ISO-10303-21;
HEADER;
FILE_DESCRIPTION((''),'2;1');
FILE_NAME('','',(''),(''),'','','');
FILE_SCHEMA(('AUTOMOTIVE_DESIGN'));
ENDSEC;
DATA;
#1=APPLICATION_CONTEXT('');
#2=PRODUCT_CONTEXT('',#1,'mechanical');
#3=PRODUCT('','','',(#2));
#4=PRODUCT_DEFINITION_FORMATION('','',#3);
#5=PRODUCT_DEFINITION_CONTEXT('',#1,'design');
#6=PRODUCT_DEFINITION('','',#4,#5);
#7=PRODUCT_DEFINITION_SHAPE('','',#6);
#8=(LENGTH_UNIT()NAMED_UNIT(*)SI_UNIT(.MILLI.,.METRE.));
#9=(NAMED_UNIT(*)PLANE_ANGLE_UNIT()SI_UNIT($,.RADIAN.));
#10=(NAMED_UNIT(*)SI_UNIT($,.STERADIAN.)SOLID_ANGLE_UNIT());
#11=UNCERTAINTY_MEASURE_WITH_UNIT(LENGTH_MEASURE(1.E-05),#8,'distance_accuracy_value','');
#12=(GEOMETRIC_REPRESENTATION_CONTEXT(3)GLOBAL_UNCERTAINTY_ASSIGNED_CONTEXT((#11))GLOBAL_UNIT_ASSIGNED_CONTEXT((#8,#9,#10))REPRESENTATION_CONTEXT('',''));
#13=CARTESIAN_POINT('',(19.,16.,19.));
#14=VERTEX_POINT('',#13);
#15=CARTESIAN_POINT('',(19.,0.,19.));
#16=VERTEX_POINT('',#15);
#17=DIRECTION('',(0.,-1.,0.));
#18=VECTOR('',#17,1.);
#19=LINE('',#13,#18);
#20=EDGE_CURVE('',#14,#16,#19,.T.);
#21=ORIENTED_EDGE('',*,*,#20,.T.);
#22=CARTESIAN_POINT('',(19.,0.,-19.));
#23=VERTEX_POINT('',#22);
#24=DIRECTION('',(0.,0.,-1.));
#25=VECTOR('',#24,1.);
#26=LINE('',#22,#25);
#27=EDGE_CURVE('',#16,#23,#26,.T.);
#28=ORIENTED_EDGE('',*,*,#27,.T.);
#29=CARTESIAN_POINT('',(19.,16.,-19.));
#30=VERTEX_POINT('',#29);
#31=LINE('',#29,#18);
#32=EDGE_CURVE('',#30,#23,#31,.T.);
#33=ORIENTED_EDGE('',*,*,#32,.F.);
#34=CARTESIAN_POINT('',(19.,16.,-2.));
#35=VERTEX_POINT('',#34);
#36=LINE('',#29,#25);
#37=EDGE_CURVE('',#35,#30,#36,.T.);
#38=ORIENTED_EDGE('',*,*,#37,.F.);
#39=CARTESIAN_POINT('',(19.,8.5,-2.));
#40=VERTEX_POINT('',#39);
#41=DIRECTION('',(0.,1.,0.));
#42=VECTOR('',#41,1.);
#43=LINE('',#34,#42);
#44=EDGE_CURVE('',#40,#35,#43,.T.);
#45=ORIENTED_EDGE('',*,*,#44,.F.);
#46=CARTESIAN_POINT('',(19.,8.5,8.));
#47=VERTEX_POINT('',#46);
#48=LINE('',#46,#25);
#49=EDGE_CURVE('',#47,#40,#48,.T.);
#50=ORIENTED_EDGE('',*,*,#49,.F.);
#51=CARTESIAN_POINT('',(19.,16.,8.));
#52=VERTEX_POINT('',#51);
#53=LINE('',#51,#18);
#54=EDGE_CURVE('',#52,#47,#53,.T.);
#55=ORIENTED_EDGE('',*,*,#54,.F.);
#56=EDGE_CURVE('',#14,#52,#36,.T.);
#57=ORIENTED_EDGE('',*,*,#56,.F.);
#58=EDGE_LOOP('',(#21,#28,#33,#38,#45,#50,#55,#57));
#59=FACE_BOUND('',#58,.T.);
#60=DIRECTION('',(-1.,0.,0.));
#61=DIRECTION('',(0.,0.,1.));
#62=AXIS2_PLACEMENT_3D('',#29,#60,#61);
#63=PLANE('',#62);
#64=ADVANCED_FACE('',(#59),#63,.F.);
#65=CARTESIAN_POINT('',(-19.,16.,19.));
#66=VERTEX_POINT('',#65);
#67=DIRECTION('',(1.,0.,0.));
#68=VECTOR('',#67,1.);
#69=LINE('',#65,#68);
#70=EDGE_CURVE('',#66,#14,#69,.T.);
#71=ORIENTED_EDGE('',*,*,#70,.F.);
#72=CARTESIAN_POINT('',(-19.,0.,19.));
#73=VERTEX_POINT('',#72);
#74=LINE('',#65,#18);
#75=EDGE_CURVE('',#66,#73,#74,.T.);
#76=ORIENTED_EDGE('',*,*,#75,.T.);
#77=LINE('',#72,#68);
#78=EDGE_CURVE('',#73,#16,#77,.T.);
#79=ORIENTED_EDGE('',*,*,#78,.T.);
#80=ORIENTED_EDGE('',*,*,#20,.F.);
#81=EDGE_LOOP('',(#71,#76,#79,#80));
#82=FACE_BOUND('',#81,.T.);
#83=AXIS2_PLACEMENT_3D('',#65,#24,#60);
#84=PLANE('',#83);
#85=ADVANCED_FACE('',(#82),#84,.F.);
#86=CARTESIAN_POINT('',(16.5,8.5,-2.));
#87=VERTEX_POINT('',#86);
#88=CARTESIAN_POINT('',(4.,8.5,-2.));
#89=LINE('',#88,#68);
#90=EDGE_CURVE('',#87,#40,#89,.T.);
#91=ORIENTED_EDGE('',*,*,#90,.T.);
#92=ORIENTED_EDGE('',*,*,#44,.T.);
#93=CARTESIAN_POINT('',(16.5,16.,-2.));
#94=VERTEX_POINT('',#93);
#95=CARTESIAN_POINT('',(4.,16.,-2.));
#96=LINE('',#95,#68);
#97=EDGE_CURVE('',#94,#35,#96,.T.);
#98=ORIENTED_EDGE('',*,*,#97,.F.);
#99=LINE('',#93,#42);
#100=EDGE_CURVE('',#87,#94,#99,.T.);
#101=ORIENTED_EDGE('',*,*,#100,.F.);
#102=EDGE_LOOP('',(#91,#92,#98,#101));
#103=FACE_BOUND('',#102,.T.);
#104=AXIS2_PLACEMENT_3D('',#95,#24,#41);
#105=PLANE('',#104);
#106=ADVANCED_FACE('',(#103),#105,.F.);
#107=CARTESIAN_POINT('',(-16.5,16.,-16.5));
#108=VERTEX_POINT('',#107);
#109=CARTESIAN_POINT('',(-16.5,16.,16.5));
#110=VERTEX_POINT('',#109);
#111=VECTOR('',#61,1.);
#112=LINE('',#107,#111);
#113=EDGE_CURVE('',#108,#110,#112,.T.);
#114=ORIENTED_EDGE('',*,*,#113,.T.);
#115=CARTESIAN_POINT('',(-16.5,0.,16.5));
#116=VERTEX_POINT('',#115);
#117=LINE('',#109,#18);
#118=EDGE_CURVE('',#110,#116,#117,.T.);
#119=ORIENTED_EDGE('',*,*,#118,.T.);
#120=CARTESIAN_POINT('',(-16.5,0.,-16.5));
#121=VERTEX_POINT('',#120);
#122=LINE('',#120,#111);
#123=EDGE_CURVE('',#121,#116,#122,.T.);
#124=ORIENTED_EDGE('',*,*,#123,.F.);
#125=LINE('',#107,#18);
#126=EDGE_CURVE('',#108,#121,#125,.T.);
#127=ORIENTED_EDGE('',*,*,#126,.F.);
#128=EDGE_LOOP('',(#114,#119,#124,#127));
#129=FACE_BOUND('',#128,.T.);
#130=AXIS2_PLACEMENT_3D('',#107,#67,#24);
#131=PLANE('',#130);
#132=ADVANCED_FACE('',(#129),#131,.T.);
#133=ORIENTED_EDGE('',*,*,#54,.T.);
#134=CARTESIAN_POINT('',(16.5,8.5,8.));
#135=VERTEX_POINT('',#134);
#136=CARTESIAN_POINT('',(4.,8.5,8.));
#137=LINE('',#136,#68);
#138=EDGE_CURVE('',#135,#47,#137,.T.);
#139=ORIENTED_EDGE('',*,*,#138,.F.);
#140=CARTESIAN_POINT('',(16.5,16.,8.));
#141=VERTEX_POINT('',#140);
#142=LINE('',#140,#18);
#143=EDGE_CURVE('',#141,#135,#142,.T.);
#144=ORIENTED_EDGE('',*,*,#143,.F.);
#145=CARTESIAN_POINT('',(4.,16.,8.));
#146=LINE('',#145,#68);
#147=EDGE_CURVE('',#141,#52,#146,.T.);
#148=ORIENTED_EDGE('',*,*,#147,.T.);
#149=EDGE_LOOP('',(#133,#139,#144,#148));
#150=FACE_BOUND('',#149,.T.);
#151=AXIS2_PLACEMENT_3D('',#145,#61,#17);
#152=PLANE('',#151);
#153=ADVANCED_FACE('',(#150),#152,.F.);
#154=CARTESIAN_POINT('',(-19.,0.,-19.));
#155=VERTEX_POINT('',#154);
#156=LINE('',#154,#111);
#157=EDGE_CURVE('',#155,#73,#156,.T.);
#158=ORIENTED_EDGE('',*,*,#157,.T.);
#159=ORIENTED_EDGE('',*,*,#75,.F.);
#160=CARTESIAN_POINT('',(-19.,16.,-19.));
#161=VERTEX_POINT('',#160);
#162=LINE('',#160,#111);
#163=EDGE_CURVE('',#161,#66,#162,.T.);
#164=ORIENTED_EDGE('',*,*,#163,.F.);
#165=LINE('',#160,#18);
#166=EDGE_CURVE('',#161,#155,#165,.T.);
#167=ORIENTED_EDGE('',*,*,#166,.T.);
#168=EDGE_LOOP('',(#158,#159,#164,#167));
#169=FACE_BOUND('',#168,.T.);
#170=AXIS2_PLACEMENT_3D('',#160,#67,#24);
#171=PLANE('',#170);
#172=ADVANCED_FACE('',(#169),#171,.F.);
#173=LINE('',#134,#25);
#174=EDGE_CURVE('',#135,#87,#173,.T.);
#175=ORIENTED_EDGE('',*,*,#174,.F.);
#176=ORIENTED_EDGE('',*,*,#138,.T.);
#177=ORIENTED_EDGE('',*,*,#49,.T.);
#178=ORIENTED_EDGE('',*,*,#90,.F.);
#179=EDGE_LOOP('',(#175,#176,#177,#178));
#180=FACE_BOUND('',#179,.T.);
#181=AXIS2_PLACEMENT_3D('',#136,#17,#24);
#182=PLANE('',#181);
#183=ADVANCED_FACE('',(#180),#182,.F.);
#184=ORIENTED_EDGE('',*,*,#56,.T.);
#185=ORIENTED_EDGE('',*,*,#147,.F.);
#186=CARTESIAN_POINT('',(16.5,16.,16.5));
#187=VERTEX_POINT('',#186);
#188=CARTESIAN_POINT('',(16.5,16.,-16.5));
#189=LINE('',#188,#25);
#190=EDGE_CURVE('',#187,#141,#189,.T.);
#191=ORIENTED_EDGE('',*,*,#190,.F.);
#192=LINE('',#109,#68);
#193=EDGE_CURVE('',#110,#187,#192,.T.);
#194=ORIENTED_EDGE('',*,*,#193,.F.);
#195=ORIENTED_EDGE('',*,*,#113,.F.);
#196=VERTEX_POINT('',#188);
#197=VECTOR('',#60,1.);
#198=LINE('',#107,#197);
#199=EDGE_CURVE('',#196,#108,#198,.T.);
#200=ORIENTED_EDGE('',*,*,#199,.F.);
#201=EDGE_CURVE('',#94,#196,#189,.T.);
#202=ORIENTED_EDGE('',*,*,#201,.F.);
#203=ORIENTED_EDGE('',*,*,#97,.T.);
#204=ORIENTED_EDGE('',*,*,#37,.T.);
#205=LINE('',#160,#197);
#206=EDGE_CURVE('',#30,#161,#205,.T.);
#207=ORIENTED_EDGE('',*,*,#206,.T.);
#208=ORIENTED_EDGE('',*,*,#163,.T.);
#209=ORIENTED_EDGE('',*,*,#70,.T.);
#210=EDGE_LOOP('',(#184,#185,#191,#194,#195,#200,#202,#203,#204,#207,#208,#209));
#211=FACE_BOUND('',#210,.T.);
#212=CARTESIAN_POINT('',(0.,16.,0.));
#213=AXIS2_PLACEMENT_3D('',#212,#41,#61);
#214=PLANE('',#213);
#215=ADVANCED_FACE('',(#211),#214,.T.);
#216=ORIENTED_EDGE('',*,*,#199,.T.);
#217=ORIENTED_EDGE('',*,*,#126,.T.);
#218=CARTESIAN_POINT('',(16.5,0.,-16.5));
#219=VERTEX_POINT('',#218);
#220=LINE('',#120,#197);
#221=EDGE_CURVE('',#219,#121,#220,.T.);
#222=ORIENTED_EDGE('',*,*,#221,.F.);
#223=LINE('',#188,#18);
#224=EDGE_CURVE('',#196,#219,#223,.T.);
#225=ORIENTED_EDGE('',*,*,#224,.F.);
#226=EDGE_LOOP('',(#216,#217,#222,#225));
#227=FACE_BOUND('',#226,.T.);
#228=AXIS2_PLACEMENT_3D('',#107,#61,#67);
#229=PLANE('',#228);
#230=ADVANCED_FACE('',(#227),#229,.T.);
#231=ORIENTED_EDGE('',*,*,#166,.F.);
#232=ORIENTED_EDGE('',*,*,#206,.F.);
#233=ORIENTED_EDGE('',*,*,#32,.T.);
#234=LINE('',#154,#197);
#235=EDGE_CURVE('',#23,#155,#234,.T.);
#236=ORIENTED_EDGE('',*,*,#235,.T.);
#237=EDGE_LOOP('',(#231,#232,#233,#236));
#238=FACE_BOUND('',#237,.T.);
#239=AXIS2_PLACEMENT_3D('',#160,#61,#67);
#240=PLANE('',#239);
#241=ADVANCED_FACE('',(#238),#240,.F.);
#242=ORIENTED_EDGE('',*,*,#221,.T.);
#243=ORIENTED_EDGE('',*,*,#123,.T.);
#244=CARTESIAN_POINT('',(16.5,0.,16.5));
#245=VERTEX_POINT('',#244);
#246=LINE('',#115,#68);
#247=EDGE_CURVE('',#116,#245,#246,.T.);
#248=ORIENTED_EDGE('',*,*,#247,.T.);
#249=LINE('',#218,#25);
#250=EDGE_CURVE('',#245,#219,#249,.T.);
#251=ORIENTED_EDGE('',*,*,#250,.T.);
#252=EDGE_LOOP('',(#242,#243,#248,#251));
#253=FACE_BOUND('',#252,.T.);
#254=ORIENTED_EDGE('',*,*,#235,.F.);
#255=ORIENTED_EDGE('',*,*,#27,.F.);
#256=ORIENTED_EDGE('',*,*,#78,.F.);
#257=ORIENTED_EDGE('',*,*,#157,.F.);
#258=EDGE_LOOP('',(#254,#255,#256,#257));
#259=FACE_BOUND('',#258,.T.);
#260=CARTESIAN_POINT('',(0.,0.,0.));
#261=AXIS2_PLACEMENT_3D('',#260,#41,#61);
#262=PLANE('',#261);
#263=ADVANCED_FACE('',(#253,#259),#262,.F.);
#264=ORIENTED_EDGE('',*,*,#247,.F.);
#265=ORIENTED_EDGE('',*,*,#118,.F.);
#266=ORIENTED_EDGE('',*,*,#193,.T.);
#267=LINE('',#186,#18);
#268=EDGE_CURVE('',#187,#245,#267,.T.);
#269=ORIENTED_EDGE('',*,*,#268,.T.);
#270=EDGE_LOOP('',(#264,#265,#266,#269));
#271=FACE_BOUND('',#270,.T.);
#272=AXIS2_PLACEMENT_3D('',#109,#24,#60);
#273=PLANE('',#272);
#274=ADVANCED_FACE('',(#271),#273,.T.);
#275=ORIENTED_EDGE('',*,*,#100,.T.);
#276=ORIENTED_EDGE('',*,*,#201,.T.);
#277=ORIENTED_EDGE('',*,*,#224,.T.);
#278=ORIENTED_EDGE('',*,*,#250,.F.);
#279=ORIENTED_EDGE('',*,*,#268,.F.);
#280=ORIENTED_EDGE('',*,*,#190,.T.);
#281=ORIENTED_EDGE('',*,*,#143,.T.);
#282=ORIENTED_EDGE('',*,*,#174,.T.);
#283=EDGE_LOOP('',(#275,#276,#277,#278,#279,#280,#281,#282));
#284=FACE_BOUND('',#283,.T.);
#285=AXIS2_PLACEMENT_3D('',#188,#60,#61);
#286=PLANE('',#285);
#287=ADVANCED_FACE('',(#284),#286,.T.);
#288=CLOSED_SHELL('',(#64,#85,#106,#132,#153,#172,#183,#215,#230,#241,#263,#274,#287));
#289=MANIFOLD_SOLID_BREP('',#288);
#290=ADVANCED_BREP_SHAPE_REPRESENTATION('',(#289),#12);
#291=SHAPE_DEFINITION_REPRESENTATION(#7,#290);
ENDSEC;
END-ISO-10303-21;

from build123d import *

# Parameters (mm, degrees)
SKETCH1_W           = 38
SKETCH1_H           = 38
SKETCH1_W_2         = 33
SKETCH1_H_2         = 33
BOSS_EXTRUDE1_DEPTH = 16
SKETCH2_W           = 10
SKETCH2_H           = 7.5
CUT_EXTRUDE1_DEPTH  = 2.5


with BuildPart() as part:
    # Sketch1 → Boss-Extrude1 (new body)
    with BuildSketch(Plane(origin=(0, 0, 0), x_dir=(1, 0, 0), z_dir=(0, 1, 0))):
        Rectangle(SKETCH1_W, SKETCH1_H)
        Rectangle(SKETCH1_W_2, SKETCH1_H_2, mode=Mode.SUBTRACT)
    extrude(amount=BOSS_EXTRUDE1_DEPTH)

    # Sketch2 → Cut-Extrude1 (cut)
    with BuildSketch(Plane(origin=(19, 0, 0), x_dir=(0, 0, -1), z_dir=(1, 0, 0))):
        with Locations((-3, 12.25)):
            Rectangle(SKETCH2_W, SKETCH2_H)
    extrude(amount=-CUT_EXTRUDE1_DEPTH, mode=Mode.SUBTRACT)


solid = part.part
